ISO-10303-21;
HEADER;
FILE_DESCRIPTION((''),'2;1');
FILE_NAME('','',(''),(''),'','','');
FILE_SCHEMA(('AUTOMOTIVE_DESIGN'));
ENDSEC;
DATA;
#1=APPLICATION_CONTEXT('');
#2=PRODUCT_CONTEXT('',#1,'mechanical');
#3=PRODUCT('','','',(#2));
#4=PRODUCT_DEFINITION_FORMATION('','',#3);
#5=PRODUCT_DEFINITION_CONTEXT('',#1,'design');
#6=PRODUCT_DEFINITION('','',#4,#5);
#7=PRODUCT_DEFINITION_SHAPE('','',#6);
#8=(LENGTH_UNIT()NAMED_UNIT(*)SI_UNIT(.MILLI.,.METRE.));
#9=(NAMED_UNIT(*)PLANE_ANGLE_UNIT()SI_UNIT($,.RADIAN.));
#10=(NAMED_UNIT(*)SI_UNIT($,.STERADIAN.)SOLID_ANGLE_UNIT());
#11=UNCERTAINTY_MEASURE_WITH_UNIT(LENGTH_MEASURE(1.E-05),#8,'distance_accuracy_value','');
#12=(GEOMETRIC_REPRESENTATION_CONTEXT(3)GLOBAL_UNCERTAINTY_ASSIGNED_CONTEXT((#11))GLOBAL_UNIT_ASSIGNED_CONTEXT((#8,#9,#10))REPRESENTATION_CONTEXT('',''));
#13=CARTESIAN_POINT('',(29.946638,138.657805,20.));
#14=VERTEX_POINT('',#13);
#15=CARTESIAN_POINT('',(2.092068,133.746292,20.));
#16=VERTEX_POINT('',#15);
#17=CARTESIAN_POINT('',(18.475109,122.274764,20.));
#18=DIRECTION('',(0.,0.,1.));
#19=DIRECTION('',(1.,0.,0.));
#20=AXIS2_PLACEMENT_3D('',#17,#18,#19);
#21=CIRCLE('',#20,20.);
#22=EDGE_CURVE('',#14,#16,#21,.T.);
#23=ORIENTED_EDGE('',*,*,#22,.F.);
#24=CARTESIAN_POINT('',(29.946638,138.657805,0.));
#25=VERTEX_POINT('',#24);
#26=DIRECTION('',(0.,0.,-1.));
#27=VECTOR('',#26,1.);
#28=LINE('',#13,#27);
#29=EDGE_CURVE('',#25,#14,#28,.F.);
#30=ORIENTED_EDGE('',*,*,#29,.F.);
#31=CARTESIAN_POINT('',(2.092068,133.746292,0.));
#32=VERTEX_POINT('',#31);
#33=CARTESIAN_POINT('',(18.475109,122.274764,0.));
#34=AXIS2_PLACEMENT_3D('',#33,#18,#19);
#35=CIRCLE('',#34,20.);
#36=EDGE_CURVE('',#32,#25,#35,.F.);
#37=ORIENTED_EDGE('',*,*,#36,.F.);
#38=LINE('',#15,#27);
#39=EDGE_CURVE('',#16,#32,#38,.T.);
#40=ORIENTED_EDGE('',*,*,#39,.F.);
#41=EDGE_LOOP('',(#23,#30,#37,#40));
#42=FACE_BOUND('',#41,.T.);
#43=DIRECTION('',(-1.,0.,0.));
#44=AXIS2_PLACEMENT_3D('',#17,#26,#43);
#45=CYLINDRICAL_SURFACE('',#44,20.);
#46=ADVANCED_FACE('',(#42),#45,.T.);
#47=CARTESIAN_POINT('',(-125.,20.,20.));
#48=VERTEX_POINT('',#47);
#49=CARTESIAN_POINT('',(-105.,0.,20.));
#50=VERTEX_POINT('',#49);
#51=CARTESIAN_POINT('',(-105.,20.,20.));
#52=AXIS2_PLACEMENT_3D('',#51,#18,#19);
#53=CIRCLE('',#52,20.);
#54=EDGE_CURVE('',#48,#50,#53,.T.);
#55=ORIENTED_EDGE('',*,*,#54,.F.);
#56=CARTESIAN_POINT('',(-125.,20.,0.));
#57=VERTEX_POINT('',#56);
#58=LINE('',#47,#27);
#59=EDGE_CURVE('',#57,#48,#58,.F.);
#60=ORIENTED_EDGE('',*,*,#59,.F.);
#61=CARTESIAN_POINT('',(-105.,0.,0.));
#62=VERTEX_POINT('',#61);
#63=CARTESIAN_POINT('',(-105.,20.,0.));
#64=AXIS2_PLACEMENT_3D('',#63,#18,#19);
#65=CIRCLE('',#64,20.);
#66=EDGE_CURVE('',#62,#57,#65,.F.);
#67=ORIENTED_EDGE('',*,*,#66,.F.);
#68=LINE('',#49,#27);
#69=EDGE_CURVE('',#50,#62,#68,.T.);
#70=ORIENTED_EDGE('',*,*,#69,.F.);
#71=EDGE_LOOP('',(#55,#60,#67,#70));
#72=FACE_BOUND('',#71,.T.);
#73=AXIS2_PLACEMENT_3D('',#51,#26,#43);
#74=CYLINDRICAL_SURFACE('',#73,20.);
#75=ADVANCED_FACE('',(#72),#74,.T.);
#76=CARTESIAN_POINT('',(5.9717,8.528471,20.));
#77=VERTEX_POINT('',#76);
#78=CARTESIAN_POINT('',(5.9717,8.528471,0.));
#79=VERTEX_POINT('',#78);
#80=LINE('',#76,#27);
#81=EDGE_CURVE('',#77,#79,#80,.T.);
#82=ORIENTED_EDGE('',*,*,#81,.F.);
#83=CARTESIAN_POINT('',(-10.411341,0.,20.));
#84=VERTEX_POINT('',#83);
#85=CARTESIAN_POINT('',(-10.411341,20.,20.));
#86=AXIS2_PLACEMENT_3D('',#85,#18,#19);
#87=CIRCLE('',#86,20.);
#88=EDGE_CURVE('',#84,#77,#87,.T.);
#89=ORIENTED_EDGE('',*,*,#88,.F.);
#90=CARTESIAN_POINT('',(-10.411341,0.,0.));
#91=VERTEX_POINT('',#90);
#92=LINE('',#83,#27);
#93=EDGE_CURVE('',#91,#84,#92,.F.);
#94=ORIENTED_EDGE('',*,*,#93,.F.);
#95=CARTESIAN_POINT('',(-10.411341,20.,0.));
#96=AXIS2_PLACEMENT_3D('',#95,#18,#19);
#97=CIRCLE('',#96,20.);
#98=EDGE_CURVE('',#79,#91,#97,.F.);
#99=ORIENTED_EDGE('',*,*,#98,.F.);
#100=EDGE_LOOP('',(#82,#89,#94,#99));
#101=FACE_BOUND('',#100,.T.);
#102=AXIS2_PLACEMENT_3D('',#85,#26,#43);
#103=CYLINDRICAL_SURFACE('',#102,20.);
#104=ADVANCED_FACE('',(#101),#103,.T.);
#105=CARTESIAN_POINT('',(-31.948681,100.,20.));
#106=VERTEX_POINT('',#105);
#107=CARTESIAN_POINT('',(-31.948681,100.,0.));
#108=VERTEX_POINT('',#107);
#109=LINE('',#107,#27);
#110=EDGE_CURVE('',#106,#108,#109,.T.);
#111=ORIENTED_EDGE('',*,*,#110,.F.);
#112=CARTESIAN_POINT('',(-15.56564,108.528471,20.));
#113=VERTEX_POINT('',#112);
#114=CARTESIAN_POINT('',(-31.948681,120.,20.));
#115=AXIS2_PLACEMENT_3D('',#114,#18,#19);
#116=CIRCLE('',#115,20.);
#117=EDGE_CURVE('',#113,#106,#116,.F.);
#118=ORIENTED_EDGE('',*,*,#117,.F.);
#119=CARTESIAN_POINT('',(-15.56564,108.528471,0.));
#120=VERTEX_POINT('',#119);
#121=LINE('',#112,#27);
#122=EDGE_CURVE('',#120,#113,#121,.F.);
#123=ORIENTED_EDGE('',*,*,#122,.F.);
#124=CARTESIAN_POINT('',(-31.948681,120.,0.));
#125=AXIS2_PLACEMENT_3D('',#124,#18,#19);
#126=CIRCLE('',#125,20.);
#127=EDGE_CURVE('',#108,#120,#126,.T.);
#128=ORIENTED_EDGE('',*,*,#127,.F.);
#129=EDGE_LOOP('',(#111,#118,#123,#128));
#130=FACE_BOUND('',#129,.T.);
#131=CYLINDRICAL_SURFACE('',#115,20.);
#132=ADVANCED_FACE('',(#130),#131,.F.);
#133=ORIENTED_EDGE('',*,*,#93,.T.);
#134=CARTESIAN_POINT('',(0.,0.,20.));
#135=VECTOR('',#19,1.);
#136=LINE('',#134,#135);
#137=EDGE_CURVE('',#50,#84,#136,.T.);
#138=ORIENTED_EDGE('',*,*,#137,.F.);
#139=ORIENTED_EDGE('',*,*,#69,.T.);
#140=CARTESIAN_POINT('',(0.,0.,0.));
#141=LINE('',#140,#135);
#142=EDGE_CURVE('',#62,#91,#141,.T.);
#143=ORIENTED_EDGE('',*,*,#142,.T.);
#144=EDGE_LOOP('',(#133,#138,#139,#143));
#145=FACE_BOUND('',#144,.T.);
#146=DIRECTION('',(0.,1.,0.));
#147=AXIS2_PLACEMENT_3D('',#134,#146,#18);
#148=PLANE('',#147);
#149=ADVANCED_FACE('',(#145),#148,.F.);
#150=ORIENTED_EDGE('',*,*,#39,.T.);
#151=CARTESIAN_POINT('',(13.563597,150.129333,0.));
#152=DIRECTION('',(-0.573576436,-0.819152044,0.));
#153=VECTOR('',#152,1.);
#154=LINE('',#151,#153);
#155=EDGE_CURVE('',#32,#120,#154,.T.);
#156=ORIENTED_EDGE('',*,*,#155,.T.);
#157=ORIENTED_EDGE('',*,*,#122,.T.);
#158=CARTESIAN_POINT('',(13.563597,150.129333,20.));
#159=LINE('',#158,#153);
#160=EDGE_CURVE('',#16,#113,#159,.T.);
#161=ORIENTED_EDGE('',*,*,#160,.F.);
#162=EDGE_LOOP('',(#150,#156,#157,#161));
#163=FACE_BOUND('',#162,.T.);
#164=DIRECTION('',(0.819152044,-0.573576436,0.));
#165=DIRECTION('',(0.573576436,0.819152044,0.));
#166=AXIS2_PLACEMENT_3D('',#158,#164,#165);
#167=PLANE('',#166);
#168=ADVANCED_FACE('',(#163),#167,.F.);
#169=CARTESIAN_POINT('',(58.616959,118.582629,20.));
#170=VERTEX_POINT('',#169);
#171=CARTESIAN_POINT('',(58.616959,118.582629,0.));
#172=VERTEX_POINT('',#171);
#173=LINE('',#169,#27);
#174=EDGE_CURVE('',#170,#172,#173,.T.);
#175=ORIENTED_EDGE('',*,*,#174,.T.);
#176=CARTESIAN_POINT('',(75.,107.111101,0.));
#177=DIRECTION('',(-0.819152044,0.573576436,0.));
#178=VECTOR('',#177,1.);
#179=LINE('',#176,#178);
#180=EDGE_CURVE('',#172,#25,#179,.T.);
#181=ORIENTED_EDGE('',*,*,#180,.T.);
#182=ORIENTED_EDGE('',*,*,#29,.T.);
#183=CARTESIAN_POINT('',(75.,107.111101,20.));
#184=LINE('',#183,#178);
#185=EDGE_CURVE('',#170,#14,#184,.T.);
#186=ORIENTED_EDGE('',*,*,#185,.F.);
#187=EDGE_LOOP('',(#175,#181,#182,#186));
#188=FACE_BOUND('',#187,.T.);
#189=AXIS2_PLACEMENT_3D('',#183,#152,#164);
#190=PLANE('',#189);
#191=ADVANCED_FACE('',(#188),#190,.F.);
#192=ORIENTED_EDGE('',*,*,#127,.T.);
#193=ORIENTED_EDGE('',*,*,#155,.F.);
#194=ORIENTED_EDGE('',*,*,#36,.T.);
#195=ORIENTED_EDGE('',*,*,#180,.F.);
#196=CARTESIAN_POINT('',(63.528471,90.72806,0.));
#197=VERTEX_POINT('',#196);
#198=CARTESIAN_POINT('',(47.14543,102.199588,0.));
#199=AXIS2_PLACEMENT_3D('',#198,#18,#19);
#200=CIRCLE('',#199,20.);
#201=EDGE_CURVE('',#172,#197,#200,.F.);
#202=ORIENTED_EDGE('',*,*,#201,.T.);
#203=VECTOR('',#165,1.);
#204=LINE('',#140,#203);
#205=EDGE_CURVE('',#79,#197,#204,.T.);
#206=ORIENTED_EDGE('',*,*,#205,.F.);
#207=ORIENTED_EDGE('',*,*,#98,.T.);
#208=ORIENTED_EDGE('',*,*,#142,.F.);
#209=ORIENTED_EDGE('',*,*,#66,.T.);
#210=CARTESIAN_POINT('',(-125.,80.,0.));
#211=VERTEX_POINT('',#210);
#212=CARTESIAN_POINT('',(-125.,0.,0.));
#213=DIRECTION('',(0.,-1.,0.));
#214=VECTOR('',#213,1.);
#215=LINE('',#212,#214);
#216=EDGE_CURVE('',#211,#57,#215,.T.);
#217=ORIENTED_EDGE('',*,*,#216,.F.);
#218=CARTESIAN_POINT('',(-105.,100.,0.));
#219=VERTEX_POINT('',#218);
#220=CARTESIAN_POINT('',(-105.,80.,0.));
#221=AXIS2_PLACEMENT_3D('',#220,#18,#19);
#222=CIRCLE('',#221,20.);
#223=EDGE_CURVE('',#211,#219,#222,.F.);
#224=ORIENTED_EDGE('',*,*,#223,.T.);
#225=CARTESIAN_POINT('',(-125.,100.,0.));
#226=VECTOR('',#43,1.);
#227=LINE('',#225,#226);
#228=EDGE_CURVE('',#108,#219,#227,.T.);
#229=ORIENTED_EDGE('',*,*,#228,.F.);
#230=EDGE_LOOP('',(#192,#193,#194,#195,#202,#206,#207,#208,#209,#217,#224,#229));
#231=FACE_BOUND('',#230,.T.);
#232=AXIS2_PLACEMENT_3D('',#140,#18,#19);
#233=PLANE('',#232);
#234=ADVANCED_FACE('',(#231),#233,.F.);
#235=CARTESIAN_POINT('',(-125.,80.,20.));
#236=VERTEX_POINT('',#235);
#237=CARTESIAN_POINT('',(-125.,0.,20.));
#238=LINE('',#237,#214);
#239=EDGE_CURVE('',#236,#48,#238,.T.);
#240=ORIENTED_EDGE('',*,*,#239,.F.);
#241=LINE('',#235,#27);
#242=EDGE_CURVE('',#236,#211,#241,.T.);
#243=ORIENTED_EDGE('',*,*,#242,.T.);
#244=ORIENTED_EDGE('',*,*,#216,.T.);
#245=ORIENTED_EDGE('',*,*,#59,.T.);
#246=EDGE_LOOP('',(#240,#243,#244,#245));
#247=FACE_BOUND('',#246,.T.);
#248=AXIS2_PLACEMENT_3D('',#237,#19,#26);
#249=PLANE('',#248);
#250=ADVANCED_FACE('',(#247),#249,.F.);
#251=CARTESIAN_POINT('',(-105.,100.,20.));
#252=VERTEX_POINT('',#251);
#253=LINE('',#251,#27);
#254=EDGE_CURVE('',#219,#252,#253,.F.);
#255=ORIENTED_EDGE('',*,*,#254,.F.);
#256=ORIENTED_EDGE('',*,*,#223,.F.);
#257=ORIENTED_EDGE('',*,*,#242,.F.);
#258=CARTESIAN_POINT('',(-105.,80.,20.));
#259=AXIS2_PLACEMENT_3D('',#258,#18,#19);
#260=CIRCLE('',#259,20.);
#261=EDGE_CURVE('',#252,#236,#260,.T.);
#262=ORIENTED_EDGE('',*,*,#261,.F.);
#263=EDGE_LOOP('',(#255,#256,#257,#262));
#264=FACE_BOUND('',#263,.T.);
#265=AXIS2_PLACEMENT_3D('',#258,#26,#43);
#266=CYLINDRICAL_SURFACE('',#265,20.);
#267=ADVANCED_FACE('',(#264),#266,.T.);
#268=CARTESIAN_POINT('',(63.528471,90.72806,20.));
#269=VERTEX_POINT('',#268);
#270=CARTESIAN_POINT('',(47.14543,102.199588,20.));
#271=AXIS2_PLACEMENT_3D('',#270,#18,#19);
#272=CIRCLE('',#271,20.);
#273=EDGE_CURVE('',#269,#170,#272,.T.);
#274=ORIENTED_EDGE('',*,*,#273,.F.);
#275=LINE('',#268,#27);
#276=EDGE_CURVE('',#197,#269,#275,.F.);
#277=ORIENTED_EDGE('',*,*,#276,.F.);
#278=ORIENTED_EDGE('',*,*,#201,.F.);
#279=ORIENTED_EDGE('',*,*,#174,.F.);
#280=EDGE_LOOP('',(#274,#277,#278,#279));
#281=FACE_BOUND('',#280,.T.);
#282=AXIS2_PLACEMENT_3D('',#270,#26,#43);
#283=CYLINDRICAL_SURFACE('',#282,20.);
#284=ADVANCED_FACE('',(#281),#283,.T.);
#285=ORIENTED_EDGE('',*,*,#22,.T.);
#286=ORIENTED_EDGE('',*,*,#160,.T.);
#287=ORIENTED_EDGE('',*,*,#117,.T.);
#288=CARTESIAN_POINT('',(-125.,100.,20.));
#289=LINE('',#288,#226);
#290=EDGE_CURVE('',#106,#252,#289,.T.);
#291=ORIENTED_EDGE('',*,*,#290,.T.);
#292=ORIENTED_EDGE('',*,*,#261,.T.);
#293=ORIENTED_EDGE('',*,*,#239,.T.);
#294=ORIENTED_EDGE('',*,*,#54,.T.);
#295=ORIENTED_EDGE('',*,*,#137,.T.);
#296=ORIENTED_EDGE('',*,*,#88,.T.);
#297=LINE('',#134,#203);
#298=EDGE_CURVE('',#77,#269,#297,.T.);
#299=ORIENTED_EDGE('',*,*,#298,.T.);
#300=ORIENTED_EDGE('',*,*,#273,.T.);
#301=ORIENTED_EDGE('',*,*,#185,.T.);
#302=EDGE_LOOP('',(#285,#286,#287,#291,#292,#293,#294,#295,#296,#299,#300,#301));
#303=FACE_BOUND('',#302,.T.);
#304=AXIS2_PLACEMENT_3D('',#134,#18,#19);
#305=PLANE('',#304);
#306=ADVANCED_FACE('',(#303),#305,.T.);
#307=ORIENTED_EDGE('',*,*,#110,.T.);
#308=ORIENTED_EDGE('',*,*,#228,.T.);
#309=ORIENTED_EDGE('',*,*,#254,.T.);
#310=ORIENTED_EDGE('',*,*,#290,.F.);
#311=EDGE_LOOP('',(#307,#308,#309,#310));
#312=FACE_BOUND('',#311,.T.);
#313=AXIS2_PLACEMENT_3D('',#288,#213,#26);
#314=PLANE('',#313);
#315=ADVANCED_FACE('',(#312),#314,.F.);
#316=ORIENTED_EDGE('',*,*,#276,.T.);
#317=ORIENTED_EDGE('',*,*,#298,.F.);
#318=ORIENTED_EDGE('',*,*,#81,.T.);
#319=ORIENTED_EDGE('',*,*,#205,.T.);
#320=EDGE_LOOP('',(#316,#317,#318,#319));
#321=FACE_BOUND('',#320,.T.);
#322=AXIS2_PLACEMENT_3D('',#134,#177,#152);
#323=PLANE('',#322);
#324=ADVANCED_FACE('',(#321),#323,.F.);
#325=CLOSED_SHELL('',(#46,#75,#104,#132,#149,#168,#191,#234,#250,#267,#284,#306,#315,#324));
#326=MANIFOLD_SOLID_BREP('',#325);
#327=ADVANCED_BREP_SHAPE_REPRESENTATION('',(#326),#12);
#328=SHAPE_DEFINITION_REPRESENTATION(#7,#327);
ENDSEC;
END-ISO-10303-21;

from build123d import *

# Parameters (mm, degrees)
BOSS_EXTRUDE1_DEPTH = 20
FILLET1_R           = 20


with BuildPart() as part:
    # Sketch1 → Boss-Extrude1 (new body)
    with BuildSketch(Plane.XY):
        Polygon((0, 0), (-125, 0), (-125, 100), (-21.537340336, 100), (13.563596678, 150.129333232), (75, 107.111100506), align=None)
    extrude(amount=BOSS_EXTRUDE1_DEPTH)

    # Fillet1
    fillet1_edges = [part.edges().sort_by_distance(p)[0] for p in [
        (0, 0, 10),
        (-125, 0, 10),
        (-125, 100, 10),
        (-21.537340336, 100, 10),
        (13.563596678, 150.129333232, 10),
        (75, 107.111100506, 10),
    ]]
    fillet(fillet1_edges, radius=FILLET1_R)


solid = part.part
